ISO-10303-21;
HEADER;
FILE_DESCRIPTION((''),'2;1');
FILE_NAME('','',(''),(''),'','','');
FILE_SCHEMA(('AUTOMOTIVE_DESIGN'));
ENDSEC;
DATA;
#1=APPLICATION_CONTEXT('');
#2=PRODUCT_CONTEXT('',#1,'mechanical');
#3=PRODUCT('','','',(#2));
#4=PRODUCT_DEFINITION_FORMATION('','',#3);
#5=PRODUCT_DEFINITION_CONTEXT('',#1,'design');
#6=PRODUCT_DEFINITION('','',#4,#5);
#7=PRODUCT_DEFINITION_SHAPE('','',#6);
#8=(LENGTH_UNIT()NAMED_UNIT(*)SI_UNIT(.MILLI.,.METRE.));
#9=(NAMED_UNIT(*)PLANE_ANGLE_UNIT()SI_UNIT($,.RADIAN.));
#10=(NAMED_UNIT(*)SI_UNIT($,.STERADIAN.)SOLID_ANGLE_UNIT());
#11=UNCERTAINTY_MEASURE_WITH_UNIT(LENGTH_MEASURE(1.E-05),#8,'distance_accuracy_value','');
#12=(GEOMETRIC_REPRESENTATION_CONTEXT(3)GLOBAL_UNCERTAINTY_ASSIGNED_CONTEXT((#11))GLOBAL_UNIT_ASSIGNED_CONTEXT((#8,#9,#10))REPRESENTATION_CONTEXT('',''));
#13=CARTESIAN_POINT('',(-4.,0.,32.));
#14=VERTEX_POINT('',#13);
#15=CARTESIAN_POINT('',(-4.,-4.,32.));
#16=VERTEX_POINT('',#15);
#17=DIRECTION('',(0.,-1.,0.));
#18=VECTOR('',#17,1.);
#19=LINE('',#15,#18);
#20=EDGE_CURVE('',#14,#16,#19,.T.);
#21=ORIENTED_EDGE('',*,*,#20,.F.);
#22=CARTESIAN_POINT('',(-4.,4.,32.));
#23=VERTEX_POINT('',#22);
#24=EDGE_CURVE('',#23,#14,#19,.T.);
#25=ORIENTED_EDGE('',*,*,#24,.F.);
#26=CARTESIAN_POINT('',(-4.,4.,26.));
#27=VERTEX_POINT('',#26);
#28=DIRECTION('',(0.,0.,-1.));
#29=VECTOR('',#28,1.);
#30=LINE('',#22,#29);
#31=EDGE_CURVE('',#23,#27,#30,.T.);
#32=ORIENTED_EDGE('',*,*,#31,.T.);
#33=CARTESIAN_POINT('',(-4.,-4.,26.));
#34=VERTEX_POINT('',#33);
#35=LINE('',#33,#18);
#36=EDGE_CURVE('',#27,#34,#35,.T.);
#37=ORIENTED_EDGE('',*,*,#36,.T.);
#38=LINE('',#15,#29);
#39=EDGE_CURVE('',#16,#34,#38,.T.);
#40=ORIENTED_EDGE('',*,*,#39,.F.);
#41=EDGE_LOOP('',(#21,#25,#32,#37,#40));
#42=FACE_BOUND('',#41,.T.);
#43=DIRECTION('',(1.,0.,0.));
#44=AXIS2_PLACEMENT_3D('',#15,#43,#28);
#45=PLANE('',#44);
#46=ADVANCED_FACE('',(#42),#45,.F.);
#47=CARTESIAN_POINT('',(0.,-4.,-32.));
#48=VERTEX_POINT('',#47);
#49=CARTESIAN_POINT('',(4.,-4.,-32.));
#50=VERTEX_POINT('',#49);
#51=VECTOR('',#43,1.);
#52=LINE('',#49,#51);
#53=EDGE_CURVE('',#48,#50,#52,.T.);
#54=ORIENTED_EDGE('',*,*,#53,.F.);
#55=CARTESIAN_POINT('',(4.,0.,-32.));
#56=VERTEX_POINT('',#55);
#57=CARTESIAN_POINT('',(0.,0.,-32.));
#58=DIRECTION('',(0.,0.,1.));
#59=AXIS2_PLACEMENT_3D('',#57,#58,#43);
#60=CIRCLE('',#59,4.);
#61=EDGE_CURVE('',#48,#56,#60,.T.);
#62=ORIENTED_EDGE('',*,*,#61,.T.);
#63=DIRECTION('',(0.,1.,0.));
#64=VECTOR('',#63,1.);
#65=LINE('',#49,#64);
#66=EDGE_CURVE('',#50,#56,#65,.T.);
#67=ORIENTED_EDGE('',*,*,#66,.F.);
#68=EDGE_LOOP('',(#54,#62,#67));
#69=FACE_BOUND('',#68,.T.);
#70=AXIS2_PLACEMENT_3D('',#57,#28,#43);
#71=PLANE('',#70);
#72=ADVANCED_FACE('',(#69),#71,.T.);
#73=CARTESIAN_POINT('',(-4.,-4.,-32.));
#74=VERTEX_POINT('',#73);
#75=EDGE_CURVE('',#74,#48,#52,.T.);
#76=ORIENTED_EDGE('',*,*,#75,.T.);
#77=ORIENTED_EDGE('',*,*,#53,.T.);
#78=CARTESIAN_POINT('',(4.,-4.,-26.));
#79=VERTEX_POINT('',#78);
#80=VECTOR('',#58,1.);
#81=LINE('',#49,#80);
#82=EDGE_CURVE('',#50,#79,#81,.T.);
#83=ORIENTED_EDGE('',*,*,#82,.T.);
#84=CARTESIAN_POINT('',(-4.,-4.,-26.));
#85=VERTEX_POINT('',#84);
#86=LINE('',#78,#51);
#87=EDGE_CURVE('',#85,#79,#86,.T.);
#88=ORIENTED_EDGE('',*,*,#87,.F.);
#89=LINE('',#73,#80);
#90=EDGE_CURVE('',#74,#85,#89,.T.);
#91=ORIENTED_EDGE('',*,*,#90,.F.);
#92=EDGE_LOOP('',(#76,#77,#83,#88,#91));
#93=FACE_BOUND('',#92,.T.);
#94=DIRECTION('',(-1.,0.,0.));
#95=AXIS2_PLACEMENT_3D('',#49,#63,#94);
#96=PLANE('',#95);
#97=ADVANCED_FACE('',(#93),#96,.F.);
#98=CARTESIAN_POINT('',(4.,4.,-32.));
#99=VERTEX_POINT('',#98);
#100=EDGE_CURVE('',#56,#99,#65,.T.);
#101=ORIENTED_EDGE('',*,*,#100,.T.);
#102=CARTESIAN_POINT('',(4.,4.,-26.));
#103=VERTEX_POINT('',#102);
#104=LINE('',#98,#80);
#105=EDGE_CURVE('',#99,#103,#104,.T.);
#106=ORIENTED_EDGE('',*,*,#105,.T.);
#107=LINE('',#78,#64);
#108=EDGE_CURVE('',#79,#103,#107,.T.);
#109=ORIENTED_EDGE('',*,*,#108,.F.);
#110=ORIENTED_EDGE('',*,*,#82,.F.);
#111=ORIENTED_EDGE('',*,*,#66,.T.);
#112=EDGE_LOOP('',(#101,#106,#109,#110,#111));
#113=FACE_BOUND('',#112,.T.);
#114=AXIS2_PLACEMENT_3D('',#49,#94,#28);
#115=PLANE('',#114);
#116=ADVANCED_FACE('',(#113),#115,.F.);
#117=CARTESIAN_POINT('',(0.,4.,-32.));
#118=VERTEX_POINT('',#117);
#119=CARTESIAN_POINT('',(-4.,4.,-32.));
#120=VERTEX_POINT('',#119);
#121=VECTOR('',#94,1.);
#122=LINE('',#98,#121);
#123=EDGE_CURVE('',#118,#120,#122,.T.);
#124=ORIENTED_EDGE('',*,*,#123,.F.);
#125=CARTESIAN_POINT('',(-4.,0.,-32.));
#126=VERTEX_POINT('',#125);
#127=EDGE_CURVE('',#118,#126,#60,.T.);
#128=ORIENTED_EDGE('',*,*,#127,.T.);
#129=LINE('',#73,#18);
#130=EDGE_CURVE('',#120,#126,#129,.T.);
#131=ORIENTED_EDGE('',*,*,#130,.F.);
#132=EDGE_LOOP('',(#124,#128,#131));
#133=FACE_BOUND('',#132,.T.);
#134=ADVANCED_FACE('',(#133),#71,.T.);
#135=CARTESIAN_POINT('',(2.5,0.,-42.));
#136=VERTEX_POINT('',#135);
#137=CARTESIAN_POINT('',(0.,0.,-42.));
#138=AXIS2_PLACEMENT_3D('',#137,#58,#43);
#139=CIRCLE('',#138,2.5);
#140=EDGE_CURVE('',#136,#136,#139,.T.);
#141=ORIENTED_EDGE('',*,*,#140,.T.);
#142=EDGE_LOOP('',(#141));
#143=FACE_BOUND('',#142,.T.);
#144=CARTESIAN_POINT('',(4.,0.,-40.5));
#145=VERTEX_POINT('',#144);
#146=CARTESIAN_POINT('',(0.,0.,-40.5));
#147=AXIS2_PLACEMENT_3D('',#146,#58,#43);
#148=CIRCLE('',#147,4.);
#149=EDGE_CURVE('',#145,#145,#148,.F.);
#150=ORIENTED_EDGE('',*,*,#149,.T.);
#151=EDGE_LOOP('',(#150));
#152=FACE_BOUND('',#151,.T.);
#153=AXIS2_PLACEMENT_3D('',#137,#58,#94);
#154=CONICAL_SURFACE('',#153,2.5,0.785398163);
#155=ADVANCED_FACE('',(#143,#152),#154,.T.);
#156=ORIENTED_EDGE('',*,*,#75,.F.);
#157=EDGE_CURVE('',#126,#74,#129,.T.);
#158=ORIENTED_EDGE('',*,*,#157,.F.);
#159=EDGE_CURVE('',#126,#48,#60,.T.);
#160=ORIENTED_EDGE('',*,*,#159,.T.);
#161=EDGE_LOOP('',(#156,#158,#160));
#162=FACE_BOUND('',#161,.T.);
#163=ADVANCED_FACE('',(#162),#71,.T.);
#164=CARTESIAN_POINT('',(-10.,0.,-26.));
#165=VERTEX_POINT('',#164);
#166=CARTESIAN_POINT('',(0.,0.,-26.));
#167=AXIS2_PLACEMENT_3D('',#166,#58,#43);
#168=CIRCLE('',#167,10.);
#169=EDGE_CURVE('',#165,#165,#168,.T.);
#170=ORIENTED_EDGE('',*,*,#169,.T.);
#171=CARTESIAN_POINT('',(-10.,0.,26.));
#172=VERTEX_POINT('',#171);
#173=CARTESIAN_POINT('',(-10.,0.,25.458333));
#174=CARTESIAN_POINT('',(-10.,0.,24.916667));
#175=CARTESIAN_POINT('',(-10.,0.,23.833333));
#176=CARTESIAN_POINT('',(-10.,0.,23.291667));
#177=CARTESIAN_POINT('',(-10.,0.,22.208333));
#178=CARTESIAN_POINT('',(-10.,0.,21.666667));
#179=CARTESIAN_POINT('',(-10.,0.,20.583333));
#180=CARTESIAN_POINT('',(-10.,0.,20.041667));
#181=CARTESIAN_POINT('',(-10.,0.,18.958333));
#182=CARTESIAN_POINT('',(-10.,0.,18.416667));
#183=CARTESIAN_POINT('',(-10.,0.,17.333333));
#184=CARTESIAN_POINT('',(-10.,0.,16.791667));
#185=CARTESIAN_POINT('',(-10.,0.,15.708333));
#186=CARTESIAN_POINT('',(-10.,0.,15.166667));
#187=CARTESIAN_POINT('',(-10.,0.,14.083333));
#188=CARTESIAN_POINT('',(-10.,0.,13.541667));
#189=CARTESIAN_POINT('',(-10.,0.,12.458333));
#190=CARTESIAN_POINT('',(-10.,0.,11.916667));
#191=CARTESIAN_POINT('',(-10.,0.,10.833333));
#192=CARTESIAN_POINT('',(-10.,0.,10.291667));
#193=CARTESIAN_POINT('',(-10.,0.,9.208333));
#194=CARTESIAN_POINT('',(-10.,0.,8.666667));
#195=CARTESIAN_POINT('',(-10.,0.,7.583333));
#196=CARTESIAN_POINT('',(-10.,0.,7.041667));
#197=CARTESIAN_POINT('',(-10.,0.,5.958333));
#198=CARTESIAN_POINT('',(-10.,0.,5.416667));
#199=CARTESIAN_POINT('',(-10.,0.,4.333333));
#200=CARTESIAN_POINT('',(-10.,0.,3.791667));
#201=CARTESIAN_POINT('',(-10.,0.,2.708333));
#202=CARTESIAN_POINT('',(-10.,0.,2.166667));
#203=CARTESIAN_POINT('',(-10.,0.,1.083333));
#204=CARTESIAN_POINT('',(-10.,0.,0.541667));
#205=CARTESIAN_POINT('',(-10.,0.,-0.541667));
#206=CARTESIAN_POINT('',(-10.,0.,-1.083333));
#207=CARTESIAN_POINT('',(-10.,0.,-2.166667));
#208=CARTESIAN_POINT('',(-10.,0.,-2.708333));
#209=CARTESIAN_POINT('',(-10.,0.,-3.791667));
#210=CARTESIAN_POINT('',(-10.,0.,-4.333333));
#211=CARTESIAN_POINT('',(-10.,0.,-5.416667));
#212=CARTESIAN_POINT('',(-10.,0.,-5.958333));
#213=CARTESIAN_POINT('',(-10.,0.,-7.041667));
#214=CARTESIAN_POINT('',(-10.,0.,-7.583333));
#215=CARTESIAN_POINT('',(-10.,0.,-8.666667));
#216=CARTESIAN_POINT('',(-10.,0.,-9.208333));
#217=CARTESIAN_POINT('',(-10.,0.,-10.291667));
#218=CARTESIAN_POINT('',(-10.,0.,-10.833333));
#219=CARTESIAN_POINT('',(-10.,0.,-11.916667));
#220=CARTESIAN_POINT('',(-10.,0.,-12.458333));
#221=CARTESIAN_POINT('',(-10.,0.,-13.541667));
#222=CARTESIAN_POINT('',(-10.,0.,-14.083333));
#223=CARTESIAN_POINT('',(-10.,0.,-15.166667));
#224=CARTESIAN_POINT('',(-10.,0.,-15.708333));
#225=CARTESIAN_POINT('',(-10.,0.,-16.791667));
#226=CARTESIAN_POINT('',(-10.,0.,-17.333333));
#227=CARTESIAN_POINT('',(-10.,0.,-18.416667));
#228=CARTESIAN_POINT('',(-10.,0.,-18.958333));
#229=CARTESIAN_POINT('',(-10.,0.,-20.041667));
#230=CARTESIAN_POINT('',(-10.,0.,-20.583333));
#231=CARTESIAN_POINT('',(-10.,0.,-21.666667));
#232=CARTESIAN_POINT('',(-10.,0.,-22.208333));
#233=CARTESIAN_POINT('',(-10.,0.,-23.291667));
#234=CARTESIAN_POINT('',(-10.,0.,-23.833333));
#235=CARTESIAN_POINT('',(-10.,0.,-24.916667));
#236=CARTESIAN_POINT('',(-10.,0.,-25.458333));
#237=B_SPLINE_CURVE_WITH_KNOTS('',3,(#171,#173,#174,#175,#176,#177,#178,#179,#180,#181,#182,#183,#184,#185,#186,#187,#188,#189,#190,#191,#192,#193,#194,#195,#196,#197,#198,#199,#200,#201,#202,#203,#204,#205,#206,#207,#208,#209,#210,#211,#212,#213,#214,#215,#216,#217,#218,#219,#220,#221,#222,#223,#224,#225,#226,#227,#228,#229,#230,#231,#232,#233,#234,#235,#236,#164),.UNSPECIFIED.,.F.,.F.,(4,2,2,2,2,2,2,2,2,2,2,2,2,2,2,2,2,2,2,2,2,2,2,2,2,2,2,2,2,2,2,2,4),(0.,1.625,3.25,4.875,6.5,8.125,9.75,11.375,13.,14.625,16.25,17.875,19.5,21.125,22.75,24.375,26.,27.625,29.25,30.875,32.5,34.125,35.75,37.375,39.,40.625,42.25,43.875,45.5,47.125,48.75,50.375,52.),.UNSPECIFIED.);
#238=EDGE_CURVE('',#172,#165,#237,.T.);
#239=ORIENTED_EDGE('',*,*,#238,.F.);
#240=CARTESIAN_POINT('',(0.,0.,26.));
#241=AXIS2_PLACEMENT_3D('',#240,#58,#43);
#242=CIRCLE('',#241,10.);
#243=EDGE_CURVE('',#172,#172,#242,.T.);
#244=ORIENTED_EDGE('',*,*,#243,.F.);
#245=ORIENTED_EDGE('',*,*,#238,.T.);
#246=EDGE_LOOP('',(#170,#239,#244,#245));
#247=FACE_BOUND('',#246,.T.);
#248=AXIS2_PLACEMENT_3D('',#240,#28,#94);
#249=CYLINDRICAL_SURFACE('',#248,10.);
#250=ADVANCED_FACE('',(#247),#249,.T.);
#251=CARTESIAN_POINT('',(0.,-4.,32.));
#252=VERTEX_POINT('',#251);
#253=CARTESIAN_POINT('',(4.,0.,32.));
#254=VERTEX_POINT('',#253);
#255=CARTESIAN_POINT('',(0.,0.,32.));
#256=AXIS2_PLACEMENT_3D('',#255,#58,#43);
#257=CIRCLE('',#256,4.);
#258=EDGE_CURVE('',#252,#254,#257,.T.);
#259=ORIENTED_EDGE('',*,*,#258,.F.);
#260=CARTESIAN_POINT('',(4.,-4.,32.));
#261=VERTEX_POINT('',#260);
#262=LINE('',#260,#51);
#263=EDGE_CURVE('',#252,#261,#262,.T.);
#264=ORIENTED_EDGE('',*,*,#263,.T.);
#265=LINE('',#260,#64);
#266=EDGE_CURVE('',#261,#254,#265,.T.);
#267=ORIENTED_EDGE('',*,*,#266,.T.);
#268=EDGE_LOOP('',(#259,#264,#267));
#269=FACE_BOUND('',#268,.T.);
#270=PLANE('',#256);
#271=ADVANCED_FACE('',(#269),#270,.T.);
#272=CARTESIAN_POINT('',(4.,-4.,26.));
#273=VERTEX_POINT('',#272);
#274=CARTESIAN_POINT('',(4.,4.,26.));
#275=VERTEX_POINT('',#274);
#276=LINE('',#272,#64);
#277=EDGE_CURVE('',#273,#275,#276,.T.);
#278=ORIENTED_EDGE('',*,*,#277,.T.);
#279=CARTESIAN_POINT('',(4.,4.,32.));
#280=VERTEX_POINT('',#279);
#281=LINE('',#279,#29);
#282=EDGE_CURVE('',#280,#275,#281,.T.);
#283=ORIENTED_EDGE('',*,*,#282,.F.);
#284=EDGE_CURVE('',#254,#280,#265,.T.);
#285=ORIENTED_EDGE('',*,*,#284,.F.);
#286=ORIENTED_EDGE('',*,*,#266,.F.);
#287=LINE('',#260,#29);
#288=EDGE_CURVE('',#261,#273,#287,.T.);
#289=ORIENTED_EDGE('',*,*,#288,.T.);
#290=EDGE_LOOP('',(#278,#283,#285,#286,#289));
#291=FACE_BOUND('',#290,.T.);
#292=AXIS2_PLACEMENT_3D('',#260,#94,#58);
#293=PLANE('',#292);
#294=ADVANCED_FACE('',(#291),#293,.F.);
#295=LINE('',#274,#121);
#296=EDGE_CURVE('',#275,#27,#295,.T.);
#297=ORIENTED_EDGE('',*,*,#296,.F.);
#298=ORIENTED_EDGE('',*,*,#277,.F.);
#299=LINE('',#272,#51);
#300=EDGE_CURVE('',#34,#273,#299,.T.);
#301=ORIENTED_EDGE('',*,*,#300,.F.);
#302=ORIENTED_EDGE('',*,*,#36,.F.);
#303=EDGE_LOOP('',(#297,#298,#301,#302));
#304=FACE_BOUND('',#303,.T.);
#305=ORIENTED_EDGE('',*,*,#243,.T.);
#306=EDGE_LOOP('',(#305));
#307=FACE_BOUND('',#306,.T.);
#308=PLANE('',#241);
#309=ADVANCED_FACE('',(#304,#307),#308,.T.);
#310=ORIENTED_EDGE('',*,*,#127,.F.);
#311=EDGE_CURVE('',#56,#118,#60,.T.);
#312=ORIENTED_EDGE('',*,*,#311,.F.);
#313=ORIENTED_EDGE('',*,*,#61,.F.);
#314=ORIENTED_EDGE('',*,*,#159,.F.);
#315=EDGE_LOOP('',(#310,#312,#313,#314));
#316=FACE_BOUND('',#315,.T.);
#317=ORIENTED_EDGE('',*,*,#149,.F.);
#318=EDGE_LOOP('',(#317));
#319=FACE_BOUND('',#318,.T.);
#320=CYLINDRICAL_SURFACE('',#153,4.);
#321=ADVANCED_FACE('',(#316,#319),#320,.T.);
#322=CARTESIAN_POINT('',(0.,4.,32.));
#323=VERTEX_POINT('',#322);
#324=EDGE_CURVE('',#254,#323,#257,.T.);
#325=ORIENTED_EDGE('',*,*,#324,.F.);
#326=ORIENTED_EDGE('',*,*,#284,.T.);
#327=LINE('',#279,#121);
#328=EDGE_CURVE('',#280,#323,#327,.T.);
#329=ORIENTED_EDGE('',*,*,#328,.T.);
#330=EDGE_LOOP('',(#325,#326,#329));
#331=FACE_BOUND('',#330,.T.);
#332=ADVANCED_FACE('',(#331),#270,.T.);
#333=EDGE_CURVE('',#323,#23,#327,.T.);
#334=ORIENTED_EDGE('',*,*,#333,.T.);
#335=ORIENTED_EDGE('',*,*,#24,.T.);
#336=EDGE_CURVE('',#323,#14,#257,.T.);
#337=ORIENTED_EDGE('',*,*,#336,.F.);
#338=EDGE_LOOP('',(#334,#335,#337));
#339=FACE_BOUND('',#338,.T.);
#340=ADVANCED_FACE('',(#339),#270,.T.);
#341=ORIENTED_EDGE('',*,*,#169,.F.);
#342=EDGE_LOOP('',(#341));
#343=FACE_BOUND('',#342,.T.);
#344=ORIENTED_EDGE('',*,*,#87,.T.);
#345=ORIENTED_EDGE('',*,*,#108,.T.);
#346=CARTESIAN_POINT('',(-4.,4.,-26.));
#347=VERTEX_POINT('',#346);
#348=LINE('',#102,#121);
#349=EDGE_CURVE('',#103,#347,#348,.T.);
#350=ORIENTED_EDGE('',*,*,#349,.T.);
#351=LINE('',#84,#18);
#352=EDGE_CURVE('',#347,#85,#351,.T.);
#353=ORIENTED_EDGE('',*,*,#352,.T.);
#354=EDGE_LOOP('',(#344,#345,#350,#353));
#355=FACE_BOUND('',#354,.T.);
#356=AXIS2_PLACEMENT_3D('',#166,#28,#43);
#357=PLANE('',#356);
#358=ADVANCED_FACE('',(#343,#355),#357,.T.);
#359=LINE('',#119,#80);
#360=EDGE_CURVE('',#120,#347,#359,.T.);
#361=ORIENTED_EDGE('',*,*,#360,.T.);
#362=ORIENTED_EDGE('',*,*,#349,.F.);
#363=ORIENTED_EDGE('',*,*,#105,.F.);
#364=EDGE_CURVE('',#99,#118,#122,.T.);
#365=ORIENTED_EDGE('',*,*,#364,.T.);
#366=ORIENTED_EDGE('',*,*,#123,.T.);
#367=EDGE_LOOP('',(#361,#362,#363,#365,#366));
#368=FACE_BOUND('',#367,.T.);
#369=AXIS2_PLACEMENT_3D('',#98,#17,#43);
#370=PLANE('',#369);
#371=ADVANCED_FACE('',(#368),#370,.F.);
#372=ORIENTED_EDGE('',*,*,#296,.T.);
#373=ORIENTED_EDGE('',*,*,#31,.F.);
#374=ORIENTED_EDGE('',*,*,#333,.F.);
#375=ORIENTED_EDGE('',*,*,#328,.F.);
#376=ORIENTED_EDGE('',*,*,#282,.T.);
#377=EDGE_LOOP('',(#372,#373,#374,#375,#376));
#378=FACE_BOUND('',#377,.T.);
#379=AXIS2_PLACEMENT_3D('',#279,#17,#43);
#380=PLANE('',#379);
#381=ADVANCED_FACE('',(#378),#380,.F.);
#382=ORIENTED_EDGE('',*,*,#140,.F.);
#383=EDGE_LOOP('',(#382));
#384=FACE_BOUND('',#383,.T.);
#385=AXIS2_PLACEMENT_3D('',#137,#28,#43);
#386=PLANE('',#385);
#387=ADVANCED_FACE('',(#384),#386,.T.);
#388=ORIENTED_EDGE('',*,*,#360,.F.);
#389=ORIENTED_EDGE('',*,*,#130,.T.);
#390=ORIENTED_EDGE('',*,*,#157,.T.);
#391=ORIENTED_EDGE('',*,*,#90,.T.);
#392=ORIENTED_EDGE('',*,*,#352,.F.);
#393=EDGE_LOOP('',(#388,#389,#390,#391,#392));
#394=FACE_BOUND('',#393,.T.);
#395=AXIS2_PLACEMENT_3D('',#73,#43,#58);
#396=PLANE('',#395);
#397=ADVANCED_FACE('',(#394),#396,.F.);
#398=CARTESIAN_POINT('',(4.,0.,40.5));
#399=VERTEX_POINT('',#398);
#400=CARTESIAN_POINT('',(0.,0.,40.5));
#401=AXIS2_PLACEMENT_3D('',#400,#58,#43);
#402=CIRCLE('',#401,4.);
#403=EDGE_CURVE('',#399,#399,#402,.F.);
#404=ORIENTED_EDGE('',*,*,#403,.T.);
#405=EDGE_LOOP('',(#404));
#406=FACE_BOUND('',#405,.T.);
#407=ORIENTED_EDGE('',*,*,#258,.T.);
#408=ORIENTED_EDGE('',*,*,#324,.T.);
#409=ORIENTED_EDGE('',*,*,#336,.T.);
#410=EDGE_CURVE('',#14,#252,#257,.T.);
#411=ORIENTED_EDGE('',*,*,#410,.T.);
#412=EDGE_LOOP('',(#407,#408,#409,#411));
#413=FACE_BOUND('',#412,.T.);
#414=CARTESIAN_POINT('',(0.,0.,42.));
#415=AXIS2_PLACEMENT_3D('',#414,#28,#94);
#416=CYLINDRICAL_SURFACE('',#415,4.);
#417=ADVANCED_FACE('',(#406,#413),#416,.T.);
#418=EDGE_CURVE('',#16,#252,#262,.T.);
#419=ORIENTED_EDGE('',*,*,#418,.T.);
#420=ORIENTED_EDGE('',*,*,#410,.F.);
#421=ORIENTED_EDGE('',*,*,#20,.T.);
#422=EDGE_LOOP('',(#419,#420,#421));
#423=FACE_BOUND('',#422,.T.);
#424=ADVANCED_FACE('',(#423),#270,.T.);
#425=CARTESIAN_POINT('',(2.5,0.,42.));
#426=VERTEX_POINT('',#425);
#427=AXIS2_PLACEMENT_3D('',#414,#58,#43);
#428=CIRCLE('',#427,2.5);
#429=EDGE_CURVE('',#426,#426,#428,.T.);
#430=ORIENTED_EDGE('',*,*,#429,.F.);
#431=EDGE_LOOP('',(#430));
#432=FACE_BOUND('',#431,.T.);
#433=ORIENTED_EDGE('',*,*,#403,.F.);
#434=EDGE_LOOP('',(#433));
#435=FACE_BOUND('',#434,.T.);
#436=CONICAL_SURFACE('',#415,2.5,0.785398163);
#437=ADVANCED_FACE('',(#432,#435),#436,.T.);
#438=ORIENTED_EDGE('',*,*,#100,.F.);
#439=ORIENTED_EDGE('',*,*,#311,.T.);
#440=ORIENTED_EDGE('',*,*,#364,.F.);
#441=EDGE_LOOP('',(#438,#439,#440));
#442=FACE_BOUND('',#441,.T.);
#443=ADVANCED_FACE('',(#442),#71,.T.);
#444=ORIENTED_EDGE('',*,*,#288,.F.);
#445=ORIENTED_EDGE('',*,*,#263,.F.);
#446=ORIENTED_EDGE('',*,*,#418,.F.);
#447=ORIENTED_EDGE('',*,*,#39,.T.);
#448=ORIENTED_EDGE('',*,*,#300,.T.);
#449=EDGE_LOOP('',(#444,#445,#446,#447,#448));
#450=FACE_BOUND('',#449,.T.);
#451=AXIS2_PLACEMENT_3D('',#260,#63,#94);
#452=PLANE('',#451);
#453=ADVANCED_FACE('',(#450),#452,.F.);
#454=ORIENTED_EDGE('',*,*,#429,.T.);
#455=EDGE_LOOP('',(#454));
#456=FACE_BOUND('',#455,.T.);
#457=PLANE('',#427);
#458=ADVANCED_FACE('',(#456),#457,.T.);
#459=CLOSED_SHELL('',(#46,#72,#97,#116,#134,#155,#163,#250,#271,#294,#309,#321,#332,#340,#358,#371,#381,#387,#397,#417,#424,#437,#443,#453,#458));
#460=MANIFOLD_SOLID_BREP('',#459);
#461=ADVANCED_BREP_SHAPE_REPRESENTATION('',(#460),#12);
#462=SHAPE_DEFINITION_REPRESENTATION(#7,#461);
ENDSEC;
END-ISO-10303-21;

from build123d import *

# Parameters (mm, degrees)
SKIZZE1_R                       = 10
AUFSATZ_LINEAR_AUSTRAGEN1_DEPTH = 26
SKIZZE2_W                       = 8
SKIZZE2_H                       = 8
AUFSATZ_LINEAR_AUSTRAGEN2_DEPTH = 6
SKIZZE3_R                       = 4
AUFSATZ_LINEAR_AUSTRAGEN3_DEPTH = 10
FASE1_SIZE                      = 1.5


with BuildPart() as part:
    # Skizze1 → Aufsatz-Linear austragen1 (new body)
    with BuildSketch(Plane.XY):
        with Locations(Location((0, 0, 0), (0, 0, 180))):
            Circle(SKIZZE1_R)
    extrude(amount=AUFSATZ_LINEAR_AUSTRAGEN1_DEPTH)

    # Skizze2 → Aufsatz-Linear austragen2 (add)
    with BuildSketch(Plane.XY.offset(26)):
        Rectangle(SKIZZE2_W, SKIZZE2_H)
    extrude(amount=AUFSATZ_LINEAR_AUSTRAGEN2_DEPTH)

    # Skizze3 → Aufsatz-Linear austragen3 (add)
    with BuildSketch(Plane.XY.offset(32)):
        Circle(SKIZZE3_R)
    extrude(amount=AUFSATZ_LINEAR_AUSTRAGEN3_DEPTH)

    # Fase1
    fase1_edges = [part.edges().sort_by_distance(p)[0] for p in [
        (-4, 0, 42),
    ]]
    chamfer(fase1_edges, length=FASE1_SIZE)

    # Spiegeln1: part across plane


with BuildPart() as part_1:
    add(part.part)
    add(part.part.mirror(Plane.XY))


solid = part_1.part
